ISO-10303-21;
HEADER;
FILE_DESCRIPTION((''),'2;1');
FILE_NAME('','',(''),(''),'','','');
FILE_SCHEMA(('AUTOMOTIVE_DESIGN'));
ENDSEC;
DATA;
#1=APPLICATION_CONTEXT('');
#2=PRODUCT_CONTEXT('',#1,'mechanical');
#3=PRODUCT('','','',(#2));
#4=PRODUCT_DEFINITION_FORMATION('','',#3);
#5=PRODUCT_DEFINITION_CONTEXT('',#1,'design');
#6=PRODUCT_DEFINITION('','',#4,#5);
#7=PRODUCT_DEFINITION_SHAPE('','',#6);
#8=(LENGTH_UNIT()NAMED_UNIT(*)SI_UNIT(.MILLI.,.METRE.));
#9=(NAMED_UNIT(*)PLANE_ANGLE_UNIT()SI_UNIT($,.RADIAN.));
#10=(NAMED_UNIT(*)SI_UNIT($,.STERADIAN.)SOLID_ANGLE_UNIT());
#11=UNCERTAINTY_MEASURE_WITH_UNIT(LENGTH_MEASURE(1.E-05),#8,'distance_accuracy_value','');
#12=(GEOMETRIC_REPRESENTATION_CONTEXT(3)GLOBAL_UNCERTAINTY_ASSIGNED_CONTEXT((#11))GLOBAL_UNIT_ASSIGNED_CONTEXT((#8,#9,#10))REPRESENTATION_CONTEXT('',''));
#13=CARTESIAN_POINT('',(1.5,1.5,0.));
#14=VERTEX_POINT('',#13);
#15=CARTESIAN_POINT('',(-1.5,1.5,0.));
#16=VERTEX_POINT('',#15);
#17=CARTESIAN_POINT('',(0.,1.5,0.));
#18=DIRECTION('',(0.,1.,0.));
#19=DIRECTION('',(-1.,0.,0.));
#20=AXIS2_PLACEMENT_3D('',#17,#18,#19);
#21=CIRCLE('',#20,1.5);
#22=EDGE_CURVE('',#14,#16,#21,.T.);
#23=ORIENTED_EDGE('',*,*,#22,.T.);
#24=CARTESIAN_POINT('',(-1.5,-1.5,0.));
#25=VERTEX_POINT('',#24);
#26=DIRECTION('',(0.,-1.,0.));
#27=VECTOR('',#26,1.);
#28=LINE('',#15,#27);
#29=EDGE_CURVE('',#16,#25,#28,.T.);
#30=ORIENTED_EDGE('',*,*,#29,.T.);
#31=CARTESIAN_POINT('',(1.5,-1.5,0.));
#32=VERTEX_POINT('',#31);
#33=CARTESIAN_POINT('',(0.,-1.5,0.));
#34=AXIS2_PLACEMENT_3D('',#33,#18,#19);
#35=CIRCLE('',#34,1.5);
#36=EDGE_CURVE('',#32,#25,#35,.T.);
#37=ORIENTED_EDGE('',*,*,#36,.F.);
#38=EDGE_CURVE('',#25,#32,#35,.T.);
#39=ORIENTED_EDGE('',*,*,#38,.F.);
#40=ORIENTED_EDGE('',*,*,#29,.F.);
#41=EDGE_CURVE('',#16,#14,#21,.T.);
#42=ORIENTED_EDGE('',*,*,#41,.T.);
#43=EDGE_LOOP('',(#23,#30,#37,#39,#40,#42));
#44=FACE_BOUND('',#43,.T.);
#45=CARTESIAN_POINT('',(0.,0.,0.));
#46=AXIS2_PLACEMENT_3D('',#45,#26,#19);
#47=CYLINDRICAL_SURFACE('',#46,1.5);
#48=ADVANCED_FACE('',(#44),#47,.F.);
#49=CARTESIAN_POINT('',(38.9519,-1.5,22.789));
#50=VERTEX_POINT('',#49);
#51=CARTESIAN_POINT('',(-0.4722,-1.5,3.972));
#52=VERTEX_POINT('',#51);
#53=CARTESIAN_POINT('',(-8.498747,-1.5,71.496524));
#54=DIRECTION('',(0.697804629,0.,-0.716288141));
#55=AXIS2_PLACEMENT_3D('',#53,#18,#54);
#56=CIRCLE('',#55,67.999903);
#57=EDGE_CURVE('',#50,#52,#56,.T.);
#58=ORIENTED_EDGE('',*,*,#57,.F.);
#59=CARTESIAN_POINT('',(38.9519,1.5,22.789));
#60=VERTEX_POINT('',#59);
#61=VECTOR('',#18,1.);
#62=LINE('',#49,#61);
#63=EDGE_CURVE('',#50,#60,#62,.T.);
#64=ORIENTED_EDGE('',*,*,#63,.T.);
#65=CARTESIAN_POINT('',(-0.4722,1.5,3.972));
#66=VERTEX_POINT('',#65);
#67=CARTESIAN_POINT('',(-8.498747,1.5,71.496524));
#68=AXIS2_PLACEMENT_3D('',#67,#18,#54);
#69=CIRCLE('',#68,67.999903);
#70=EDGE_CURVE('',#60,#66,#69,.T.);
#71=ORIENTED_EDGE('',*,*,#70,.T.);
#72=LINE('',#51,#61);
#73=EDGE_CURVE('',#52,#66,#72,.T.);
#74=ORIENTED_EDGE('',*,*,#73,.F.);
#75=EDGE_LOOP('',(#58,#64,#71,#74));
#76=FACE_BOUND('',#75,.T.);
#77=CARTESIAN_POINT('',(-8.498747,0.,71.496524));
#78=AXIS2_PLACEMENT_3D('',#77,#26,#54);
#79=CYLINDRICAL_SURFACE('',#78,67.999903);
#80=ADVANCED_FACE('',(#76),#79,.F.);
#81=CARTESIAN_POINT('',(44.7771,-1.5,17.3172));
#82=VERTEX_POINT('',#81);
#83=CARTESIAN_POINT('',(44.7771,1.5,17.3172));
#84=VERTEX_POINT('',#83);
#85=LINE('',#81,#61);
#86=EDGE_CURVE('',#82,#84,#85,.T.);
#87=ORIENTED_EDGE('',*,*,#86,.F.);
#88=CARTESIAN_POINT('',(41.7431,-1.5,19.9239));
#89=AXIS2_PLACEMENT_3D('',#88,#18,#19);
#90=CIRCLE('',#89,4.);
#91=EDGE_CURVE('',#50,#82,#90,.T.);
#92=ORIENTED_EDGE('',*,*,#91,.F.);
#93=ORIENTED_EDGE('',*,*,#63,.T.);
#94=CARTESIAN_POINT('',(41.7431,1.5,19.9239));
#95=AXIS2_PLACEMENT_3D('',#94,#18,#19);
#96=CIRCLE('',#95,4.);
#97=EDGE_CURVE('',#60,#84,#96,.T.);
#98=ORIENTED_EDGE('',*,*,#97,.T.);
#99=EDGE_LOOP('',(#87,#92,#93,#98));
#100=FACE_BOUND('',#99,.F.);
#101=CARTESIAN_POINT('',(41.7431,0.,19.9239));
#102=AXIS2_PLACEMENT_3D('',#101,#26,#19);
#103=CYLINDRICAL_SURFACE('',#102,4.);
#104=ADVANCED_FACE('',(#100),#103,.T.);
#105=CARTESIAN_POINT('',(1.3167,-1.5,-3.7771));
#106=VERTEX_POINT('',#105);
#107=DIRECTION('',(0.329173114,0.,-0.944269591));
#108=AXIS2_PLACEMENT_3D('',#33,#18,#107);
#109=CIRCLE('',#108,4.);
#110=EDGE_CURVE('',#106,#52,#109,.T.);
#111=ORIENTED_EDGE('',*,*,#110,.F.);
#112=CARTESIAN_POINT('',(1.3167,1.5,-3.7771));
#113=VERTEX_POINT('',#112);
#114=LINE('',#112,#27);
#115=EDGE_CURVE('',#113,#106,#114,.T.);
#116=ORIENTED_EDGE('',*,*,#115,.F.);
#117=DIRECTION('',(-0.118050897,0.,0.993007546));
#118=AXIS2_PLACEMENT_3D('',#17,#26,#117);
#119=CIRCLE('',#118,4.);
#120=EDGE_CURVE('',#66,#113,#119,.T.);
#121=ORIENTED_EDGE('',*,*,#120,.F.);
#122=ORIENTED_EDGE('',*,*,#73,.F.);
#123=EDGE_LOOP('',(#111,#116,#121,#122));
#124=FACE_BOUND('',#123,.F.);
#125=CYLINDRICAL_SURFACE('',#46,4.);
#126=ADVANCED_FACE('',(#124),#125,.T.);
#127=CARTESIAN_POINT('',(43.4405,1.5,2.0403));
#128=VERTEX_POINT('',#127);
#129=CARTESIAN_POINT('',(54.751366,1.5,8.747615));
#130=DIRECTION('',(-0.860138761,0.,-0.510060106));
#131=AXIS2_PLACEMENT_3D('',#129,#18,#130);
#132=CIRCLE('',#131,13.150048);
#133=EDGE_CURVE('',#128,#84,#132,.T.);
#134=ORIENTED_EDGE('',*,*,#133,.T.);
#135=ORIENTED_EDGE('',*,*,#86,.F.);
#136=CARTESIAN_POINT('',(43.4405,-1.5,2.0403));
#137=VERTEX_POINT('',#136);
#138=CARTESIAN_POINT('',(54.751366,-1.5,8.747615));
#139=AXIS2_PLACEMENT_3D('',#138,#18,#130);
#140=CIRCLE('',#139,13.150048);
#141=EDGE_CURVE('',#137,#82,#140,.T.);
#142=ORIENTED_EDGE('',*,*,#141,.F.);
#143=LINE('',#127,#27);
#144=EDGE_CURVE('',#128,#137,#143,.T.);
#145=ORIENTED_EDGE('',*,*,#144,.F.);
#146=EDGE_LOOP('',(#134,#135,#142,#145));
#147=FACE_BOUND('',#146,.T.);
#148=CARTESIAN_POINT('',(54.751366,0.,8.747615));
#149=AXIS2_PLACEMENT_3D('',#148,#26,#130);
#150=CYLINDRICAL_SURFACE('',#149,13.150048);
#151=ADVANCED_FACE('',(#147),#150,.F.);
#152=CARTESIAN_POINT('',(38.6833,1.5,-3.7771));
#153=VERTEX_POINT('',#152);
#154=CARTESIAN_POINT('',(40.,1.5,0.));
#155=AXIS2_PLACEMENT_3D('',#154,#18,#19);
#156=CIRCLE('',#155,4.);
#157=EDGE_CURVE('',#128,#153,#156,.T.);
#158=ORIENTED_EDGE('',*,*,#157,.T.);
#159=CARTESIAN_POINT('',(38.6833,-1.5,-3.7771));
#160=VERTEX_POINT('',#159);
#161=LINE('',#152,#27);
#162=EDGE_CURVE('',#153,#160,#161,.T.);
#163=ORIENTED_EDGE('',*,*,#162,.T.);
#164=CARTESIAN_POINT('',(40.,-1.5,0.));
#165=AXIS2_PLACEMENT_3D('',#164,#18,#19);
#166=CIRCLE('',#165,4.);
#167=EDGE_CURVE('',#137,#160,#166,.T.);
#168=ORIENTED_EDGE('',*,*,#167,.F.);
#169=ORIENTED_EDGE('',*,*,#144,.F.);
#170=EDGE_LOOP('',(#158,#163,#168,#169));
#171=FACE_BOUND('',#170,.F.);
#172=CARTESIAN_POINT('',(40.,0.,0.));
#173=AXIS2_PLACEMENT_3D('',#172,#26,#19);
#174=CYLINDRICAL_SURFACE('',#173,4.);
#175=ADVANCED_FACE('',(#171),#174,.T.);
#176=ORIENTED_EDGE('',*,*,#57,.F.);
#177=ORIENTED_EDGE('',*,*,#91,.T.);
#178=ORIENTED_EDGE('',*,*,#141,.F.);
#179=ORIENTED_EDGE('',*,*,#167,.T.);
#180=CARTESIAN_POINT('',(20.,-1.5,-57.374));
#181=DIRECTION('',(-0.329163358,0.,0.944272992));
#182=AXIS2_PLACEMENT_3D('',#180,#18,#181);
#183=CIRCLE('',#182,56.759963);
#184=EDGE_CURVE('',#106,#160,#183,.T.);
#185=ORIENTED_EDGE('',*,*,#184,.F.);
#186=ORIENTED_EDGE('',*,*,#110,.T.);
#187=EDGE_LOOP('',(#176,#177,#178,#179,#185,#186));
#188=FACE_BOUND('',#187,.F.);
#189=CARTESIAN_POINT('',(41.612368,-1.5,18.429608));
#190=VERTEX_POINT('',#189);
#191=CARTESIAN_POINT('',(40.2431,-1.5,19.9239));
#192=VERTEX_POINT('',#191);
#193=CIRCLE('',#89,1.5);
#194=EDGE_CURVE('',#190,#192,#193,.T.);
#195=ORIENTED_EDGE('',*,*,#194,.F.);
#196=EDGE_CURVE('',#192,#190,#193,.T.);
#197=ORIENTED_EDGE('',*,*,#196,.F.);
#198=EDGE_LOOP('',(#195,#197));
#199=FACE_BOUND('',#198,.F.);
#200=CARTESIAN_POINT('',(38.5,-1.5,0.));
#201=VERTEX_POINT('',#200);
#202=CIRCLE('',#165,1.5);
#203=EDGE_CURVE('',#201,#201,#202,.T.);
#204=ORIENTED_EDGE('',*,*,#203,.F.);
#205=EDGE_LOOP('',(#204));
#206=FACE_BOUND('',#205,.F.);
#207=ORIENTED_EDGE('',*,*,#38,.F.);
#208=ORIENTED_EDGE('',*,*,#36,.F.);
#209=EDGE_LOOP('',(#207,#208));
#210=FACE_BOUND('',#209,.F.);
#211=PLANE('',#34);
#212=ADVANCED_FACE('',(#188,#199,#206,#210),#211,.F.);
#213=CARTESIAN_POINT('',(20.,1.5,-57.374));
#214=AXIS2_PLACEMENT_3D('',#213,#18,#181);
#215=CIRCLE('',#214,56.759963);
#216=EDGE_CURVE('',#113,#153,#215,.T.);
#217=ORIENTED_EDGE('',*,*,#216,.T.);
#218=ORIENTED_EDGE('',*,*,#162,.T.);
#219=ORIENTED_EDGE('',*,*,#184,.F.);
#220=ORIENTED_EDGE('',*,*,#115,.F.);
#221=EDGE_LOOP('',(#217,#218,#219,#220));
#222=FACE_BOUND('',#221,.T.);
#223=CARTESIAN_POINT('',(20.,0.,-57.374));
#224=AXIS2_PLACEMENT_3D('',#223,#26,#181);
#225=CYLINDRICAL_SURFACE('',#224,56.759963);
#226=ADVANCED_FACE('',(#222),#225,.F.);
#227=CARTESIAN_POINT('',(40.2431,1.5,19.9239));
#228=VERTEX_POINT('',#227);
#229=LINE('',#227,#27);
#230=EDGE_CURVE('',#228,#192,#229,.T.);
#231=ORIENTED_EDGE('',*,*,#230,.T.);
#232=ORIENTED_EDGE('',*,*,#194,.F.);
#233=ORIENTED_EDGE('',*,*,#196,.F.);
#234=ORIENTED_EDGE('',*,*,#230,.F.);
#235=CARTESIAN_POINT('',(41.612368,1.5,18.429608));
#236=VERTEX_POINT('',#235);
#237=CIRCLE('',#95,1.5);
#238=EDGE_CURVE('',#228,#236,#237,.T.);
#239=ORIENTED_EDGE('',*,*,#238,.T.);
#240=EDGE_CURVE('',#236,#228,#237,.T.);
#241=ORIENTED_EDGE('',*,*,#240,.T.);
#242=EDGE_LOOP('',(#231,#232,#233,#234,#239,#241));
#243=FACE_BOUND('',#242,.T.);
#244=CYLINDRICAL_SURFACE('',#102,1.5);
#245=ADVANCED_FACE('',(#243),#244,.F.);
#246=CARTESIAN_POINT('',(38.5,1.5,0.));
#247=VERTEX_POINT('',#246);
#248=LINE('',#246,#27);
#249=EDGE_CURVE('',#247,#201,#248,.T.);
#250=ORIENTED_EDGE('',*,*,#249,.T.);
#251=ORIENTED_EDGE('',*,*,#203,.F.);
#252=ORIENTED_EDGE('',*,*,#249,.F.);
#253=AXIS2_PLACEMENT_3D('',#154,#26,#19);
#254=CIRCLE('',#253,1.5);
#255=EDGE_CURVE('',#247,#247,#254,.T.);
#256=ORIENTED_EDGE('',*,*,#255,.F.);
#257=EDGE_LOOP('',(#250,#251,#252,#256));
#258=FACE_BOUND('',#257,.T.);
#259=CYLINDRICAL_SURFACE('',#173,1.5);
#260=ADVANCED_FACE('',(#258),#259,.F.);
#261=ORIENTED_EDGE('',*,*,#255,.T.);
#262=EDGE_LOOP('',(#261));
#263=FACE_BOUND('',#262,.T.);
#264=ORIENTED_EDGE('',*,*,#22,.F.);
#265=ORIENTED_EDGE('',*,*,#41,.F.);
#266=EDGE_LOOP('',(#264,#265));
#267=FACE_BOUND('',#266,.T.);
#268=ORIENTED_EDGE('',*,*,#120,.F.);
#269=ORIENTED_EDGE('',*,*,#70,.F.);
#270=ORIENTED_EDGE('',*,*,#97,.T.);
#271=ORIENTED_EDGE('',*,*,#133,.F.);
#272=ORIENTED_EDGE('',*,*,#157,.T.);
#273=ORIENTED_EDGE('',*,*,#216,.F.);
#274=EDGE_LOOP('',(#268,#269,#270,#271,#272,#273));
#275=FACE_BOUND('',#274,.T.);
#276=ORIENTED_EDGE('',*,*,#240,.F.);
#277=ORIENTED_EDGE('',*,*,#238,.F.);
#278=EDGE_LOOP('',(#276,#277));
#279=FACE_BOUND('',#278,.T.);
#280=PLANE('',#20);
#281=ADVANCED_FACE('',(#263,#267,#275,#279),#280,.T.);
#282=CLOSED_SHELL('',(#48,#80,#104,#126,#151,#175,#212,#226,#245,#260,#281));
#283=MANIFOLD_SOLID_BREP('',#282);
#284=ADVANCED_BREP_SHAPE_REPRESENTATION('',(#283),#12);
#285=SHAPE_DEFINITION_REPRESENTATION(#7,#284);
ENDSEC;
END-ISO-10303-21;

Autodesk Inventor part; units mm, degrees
ref_plane "YZ Plane" through (0, 0, 0) normal (1, 0, 0) x (0, 1, 0)
ref_plane "XZ Plane" through (0, 0, 0) normal (0, 1, 0) x (-1, 0, 0)
ref_plane "XY Plane" through (0, 0, 0) normal (0, 0, 1) x (1, 0, 0)
sketch "草圖1" plane through (0, 0, 0) normal (0, 1, 0) x (-1, 0, 0)
  circle A0 centre (0, 0) radius 1.5
  line L0 (0, 0) -> (-40, 0)
  circle A1 centre (-40, 0) radius 1.5
  line L1 (-40, 0) -> (-41.7431, 19.9239)
  circle A2 centre (-41.7431, 19.9239) radius 1.5
  circle A3 centre (0, 0) radius 4
  circle A4 centre (-40, 0) radius 4
  circle A5 centre (-41.7431, 19.9239) radius 4
  arc A6 (-43.4405, 2.0403) -> (-44.7771, 17.3172) centre (-54.7513, 8.7476) ccw
  arc A7 (-1.3167, -3.7771) -> (-38.6833, -3.7771) centre (-20, -57.374) ccw
  arc A8 (-38.9519, 22.789) -> (0.4722, 3.972) centre (8.4988, 71.4966) ccw
  dimension "d0" = 3
  dimension "d1" = 40
  dimension "d2" = 3
  dimension "d3" = 95
  dimension "d4" = 20
  dimension "d5" = 3
  dimension "d6" = 8
  dimension "d7" = 8
  dimension "d8" = 8
  dimension "d9" = 13.15
  dimension "d10" = 56.76
  dimension "d11" = 68
extrude "擠出1" add sketch "草圖1" along normal mid plane 3 contours A3 | A3 A7 A4 L0 | L0 A4 L1 A5 A8 A3 | A4 L1 A1 L0 | L0 A1 L1 A4 | A4 A6 A5 L1 | A5
properties part number "連接2"
